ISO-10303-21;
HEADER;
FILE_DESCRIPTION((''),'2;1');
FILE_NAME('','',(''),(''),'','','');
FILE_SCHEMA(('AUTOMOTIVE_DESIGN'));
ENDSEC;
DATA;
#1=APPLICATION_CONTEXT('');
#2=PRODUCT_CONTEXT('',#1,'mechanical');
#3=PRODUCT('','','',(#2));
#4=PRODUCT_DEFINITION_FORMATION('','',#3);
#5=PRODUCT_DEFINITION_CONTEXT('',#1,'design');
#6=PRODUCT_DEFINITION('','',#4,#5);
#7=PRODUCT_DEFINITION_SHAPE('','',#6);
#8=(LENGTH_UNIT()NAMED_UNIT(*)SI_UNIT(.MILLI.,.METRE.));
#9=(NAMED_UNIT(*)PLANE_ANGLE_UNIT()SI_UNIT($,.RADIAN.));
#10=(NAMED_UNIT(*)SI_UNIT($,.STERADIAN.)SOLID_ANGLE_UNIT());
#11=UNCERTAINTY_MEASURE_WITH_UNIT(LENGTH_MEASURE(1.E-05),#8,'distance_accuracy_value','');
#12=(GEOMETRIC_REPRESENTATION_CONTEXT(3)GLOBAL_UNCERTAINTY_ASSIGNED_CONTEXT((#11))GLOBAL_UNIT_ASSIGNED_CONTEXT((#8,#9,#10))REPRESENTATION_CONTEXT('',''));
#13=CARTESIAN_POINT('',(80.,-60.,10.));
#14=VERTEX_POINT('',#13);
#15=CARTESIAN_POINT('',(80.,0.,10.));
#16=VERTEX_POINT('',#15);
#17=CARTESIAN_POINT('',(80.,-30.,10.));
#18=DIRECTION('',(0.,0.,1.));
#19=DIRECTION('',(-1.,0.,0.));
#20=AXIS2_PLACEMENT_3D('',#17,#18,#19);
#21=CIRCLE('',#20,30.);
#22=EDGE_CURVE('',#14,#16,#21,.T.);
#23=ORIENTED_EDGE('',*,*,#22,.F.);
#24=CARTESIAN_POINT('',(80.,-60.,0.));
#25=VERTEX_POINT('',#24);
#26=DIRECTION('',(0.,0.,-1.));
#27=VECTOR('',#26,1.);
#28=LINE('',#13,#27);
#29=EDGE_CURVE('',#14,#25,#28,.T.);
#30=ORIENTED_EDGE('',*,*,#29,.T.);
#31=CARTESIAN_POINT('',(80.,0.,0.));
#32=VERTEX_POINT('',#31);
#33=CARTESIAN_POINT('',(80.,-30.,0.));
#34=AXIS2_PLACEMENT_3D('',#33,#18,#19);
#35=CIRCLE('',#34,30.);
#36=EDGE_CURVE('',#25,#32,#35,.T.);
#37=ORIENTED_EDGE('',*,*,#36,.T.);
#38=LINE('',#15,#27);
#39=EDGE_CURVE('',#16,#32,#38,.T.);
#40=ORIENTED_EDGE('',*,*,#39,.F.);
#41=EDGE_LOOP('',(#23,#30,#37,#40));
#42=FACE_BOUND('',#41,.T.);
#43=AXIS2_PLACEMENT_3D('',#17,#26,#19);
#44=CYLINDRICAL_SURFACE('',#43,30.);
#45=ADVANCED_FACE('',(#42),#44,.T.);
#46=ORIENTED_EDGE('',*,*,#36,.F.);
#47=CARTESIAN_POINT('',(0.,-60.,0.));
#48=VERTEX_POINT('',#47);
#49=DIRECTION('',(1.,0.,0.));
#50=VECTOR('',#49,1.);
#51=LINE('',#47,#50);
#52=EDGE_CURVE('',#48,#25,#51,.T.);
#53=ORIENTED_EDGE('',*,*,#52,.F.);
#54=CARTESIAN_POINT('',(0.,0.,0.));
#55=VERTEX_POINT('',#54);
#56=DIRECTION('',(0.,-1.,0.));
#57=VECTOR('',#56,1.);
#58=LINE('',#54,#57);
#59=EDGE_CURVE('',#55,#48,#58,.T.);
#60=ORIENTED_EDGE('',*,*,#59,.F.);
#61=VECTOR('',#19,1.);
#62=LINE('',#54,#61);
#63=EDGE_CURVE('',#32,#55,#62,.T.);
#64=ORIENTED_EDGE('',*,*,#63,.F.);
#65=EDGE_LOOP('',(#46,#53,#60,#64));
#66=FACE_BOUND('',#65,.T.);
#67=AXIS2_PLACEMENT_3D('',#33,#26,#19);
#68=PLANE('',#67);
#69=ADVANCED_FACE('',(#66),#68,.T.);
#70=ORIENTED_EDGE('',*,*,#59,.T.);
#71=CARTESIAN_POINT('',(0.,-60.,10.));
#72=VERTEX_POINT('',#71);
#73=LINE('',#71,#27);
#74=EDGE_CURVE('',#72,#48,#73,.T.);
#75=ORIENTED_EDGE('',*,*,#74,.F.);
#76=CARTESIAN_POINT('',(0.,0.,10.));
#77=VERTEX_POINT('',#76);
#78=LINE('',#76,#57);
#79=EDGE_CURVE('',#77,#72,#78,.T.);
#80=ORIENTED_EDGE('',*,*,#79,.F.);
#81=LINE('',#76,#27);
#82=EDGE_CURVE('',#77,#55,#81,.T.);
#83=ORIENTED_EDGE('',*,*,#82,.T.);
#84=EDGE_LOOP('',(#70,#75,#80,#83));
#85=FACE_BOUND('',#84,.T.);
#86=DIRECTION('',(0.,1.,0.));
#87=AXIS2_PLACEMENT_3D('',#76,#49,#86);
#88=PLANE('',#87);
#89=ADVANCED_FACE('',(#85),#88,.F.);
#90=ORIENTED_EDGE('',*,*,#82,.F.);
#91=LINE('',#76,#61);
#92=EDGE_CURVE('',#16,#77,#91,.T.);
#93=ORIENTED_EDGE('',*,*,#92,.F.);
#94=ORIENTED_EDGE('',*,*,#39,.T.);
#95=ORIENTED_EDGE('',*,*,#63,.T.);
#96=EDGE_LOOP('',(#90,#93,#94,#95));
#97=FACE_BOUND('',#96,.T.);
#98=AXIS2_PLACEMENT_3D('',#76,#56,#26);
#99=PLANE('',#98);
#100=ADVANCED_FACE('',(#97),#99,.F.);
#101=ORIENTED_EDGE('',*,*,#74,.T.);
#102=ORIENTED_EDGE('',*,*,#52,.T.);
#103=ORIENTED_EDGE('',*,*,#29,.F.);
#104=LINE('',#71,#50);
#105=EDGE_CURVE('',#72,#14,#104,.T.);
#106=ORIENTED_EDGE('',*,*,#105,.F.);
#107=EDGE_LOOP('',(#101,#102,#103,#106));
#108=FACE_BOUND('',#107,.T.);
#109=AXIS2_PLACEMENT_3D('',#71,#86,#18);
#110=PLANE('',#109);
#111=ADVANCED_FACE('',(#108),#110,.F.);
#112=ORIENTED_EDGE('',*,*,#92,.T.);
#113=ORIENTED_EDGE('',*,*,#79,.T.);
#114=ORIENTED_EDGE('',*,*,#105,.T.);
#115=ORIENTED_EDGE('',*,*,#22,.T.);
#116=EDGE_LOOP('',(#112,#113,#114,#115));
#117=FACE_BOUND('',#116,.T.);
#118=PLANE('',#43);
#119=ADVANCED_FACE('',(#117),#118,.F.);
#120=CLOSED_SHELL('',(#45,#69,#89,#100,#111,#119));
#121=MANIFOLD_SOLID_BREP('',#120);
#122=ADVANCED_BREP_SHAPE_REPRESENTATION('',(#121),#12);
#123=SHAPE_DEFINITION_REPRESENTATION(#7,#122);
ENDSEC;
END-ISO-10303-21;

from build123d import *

# Parameters (mm, degrees)
BOSS_EXTRUDE1_DEPTH = 10


with BuildPart() as part:
    # Sketch1 → Boss-Extrude1 (new body)
    with BuildSketch(Plane.XY):
        with BuildLine():
            Line((0, 0), (80, 0))
            ThreePointArc((80, 0), (110, -30), (80, -60))
            Line((80, -60), (0, -60))
            Line((0, -60), (0, 0))
        make_face()
    extrude(amount=BOSS_EXTRUDE1_DEPTH)


solid = part.part
